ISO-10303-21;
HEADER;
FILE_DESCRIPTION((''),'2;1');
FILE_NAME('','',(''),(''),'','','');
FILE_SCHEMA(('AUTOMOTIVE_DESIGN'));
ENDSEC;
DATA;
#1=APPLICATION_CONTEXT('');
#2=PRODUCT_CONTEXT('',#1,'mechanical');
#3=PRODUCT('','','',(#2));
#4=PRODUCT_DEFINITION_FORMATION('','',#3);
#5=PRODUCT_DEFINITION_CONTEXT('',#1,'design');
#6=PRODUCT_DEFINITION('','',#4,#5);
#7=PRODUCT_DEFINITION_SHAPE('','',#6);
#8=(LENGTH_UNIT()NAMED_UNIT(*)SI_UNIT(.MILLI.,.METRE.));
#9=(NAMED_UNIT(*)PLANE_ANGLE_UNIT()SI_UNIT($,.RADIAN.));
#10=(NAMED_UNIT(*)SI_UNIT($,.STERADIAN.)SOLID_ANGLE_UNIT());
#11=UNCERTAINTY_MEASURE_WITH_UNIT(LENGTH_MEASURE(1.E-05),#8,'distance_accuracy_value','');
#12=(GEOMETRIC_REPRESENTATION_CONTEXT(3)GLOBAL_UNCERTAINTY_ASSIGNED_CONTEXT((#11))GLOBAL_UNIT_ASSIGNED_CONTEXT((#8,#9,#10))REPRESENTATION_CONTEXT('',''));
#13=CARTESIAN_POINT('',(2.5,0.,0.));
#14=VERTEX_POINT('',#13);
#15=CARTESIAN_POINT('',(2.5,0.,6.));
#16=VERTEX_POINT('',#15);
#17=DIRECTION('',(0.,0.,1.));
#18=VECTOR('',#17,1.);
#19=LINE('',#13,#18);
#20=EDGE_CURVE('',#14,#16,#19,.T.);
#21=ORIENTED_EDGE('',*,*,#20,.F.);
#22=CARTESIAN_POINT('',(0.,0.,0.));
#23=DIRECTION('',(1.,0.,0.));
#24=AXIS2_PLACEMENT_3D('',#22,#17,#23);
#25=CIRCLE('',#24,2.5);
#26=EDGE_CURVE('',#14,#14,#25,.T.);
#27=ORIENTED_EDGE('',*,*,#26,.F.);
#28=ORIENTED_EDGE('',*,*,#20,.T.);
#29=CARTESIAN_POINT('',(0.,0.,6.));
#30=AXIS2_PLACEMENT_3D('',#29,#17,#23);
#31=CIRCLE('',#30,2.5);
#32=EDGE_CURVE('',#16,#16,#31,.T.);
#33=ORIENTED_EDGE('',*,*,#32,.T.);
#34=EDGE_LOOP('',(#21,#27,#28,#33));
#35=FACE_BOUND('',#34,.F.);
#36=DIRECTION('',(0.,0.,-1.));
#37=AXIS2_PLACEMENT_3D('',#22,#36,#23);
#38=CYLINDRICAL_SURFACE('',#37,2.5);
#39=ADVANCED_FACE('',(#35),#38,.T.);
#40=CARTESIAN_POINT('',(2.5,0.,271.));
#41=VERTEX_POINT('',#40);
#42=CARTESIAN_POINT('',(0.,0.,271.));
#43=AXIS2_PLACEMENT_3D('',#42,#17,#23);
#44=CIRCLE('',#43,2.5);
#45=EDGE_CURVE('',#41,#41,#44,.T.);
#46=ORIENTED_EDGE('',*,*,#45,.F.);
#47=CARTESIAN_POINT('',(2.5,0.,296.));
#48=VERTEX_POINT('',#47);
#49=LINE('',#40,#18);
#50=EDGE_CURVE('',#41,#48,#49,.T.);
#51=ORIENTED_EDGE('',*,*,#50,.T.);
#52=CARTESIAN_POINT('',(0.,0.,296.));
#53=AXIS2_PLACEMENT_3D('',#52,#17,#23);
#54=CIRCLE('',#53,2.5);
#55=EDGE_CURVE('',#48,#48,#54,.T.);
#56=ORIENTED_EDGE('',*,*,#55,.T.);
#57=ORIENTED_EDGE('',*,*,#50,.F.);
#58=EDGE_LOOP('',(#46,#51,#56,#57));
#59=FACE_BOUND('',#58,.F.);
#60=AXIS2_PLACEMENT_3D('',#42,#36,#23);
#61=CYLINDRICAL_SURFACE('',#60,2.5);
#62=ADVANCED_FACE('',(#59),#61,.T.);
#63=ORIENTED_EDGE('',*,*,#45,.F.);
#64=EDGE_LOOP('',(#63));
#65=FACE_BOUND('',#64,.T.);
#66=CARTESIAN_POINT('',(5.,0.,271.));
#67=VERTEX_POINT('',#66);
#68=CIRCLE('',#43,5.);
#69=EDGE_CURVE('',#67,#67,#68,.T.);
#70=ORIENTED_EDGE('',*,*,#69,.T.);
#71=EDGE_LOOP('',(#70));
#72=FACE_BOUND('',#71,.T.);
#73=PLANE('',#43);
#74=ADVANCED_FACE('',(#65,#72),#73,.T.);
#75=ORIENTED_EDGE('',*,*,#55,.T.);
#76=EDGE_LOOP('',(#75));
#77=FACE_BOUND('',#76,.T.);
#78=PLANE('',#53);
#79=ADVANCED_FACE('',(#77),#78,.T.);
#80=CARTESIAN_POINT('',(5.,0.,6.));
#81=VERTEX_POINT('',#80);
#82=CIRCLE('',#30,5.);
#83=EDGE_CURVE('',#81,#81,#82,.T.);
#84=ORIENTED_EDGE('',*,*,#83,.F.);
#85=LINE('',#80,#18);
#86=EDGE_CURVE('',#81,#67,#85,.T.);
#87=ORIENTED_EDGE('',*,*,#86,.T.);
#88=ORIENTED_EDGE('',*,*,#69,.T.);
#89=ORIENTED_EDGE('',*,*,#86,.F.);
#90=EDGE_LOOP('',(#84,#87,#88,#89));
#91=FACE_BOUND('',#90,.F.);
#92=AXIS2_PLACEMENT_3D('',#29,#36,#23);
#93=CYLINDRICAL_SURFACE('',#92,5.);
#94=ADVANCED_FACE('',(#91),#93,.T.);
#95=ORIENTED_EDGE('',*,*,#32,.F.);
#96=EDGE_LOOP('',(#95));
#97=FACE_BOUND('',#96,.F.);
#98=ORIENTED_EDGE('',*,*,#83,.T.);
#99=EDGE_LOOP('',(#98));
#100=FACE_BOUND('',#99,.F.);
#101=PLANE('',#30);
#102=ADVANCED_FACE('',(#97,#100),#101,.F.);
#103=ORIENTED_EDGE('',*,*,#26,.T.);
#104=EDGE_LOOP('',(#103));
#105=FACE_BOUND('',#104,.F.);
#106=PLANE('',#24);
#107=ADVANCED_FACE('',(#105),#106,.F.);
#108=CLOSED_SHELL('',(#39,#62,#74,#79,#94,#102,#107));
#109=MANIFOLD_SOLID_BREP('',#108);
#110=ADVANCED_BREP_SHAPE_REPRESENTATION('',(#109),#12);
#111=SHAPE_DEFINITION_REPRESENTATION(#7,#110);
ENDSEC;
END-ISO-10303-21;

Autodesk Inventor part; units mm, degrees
ref_plane "YZ Plane" through (0, 0, 0) normal (1, 0, 0) x (0, 1, 0)
ref_plane "XZ Plane" through (0, 0, 0) normal (0, 1, 0) x (-1, 0, 0)
ref_plane "XY Plane" through (0, 0, 0) normal (0, 0, 1) x (1, 0, 0)
sketch "Sketch1" plane through (0, 0, 0) normal (0, 0, 1) x (1, 0, 0)
  circle A0 centre (0, 0) radius 2.5
  dimension "d0" = 5
extrude "Extrusion1" add sketch "Sketch1" along normal blind 6
sketch "Sketch2" plane through (0, 0, 6) normal (0, 0, 1) x (1, 0, 0)
  circle A0 centre (0, 0) radius 5
  dimension "d3" = 10
extrude "Extrusion2" add sketch "Sketch2" along normal blind 265
sketch "Sketch3" plane through (0, 0, 271) normal (0, 0, 1) x (1, 0, 0)
  circle A0 centre (0, 0) radius 2.5
  dimension "d6" = 5
extrude "Extrusion3" add sketch "Sketch3" along normal blind 25
properties part number "gear guide"
